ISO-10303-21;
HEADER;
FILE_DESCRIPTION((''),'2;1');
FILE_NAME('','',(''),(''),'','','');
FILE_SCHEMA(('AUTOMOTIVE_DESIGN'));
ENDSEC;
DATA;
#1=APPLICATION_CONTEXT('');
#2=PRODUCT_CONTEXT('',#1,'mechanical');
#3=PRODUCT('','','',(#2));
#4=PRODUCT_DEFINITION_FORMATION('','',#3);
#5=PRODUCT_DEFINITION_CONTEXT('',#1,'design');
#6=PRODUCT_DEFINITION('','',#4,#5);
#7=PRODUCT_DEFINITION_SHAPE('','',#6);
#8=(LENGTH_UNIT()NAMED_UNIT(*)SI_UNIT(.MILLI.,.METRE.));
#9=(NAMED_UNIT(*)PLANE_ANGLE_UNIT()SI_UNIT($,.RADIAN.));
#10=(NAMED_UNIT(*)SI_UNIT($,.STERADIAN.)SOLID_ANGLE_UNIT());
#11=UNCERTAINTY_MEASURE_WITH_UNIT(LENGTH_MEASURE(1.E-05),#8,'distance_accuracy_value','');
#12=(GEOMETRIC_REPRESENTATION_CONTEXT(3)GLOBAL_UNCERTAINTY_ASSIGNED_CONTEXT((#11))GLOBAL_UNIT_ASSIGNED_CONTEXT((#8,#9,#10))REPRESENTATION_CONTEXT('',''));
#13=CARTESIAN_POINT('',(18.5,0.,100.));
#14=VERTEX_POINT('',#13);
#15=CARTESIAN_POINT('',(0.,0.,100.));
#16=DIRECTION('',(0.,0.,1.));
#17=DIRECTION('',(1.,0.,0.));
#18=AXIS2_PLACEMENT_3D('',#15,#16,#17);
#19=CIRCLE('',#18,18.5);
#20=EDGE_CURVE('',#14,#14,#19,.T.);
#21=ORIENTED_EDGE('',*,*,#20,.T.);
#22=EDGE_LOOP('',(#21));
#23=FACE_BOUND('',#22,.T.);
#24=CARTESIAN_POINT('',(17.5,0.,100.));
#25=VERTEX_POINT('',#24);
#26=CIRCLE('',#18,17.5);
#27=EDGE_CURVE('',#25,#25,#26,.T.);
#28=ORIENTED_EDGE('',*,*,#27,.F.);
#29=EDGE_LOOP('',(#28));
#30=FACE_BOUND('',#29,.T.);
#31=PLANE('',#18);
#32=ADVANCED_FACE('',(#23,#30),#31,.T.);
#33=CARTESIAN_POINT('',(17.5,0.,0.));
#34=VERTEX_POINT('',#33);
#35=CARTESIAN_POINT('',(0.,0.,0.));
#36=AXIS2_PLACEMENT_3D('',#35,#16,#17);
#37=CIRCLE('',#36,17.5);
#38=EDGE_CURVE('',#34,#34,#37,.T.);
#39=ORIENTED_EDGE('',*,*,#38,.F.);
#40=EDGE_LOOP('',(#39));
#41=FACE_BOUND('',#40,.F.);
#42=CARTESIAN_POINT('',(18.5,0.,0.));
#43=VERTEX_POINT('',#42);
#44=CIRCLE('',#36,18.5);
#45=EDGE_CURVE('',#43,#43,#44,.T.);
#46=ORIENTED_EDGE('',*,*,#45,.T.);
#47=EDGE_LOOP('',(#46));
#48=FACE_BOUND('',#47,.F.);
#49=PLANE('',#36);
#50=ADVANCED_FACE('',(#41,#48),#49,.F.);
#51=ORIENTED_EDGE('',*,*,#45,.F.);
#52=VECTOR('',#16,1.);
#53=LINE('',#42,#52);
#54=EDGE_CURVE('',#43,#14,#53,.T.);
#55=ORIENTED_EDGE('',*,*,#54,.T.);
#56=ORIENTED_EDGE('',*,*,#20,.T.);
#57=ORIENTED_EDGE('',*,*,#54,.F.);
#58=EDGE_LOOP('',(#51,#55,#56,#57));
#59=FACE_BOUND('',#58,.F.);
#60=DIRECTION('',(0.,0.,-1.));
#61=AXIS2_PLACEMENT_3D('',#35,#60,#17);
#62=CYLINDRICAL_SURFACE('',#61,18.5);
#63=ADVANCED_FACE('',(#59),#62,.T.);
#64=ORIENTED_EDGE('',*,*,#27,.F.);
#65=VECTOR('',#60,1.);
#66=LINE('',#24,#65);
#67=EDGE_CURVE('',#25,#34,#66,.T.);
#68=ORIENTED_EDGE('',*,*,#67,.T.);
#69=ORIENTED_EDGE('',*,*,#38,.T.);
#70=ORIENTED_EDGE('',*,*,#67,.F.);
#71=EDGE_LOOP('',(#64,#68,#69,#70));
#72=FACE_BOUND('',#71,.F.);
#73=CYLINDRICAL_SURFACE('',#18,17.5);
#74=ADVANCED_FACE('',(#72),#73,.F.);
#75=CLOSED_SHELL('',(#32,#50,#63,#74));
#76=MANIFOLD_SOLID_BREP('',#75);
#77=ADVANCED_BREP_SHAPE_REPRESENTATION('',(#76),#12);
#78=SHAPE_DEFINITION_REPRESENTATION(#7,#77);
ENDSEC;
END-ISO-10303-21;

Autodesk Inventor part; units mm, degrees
ref_plane "YZ Plane" through (0, 0, 0) normal (1, 0, 0) x (0, 1, 0)
ref_plane "XZ Plane" through (0, 0, 0) normal (0, 1, 0) x (-1, 0, 0)
ref_plane "XY Plane" through (0, 0, 0) normal (0, 0, 1) x (1, 0, 0)
sketch "Sketch1" plane through (0, 0, 0) normal (0, 0, 1) x (1, 0, 0)
  point P0 (0, 0)
sketch "Sketch2" plane through (0, 0, 0) normal (0, 0, 1) x (1, 0, 0)
  circle A0 centre (0, 0) radius 18.5
  dimension "d0" = 37
extrude "Extrusion1" add sketch "Sketch2" along normal blind 100
sketch "Sketch3" plane through (0, 0, 100) normal (0, 0, 1) x (1, 0, 0)
  circle A0 centre (0, 0) radius 17.5
  dimension "d3" = 35
extrude "Extrusion2" cut sketch "Sketch3" against normal blind 100
properties part number "pipe"
